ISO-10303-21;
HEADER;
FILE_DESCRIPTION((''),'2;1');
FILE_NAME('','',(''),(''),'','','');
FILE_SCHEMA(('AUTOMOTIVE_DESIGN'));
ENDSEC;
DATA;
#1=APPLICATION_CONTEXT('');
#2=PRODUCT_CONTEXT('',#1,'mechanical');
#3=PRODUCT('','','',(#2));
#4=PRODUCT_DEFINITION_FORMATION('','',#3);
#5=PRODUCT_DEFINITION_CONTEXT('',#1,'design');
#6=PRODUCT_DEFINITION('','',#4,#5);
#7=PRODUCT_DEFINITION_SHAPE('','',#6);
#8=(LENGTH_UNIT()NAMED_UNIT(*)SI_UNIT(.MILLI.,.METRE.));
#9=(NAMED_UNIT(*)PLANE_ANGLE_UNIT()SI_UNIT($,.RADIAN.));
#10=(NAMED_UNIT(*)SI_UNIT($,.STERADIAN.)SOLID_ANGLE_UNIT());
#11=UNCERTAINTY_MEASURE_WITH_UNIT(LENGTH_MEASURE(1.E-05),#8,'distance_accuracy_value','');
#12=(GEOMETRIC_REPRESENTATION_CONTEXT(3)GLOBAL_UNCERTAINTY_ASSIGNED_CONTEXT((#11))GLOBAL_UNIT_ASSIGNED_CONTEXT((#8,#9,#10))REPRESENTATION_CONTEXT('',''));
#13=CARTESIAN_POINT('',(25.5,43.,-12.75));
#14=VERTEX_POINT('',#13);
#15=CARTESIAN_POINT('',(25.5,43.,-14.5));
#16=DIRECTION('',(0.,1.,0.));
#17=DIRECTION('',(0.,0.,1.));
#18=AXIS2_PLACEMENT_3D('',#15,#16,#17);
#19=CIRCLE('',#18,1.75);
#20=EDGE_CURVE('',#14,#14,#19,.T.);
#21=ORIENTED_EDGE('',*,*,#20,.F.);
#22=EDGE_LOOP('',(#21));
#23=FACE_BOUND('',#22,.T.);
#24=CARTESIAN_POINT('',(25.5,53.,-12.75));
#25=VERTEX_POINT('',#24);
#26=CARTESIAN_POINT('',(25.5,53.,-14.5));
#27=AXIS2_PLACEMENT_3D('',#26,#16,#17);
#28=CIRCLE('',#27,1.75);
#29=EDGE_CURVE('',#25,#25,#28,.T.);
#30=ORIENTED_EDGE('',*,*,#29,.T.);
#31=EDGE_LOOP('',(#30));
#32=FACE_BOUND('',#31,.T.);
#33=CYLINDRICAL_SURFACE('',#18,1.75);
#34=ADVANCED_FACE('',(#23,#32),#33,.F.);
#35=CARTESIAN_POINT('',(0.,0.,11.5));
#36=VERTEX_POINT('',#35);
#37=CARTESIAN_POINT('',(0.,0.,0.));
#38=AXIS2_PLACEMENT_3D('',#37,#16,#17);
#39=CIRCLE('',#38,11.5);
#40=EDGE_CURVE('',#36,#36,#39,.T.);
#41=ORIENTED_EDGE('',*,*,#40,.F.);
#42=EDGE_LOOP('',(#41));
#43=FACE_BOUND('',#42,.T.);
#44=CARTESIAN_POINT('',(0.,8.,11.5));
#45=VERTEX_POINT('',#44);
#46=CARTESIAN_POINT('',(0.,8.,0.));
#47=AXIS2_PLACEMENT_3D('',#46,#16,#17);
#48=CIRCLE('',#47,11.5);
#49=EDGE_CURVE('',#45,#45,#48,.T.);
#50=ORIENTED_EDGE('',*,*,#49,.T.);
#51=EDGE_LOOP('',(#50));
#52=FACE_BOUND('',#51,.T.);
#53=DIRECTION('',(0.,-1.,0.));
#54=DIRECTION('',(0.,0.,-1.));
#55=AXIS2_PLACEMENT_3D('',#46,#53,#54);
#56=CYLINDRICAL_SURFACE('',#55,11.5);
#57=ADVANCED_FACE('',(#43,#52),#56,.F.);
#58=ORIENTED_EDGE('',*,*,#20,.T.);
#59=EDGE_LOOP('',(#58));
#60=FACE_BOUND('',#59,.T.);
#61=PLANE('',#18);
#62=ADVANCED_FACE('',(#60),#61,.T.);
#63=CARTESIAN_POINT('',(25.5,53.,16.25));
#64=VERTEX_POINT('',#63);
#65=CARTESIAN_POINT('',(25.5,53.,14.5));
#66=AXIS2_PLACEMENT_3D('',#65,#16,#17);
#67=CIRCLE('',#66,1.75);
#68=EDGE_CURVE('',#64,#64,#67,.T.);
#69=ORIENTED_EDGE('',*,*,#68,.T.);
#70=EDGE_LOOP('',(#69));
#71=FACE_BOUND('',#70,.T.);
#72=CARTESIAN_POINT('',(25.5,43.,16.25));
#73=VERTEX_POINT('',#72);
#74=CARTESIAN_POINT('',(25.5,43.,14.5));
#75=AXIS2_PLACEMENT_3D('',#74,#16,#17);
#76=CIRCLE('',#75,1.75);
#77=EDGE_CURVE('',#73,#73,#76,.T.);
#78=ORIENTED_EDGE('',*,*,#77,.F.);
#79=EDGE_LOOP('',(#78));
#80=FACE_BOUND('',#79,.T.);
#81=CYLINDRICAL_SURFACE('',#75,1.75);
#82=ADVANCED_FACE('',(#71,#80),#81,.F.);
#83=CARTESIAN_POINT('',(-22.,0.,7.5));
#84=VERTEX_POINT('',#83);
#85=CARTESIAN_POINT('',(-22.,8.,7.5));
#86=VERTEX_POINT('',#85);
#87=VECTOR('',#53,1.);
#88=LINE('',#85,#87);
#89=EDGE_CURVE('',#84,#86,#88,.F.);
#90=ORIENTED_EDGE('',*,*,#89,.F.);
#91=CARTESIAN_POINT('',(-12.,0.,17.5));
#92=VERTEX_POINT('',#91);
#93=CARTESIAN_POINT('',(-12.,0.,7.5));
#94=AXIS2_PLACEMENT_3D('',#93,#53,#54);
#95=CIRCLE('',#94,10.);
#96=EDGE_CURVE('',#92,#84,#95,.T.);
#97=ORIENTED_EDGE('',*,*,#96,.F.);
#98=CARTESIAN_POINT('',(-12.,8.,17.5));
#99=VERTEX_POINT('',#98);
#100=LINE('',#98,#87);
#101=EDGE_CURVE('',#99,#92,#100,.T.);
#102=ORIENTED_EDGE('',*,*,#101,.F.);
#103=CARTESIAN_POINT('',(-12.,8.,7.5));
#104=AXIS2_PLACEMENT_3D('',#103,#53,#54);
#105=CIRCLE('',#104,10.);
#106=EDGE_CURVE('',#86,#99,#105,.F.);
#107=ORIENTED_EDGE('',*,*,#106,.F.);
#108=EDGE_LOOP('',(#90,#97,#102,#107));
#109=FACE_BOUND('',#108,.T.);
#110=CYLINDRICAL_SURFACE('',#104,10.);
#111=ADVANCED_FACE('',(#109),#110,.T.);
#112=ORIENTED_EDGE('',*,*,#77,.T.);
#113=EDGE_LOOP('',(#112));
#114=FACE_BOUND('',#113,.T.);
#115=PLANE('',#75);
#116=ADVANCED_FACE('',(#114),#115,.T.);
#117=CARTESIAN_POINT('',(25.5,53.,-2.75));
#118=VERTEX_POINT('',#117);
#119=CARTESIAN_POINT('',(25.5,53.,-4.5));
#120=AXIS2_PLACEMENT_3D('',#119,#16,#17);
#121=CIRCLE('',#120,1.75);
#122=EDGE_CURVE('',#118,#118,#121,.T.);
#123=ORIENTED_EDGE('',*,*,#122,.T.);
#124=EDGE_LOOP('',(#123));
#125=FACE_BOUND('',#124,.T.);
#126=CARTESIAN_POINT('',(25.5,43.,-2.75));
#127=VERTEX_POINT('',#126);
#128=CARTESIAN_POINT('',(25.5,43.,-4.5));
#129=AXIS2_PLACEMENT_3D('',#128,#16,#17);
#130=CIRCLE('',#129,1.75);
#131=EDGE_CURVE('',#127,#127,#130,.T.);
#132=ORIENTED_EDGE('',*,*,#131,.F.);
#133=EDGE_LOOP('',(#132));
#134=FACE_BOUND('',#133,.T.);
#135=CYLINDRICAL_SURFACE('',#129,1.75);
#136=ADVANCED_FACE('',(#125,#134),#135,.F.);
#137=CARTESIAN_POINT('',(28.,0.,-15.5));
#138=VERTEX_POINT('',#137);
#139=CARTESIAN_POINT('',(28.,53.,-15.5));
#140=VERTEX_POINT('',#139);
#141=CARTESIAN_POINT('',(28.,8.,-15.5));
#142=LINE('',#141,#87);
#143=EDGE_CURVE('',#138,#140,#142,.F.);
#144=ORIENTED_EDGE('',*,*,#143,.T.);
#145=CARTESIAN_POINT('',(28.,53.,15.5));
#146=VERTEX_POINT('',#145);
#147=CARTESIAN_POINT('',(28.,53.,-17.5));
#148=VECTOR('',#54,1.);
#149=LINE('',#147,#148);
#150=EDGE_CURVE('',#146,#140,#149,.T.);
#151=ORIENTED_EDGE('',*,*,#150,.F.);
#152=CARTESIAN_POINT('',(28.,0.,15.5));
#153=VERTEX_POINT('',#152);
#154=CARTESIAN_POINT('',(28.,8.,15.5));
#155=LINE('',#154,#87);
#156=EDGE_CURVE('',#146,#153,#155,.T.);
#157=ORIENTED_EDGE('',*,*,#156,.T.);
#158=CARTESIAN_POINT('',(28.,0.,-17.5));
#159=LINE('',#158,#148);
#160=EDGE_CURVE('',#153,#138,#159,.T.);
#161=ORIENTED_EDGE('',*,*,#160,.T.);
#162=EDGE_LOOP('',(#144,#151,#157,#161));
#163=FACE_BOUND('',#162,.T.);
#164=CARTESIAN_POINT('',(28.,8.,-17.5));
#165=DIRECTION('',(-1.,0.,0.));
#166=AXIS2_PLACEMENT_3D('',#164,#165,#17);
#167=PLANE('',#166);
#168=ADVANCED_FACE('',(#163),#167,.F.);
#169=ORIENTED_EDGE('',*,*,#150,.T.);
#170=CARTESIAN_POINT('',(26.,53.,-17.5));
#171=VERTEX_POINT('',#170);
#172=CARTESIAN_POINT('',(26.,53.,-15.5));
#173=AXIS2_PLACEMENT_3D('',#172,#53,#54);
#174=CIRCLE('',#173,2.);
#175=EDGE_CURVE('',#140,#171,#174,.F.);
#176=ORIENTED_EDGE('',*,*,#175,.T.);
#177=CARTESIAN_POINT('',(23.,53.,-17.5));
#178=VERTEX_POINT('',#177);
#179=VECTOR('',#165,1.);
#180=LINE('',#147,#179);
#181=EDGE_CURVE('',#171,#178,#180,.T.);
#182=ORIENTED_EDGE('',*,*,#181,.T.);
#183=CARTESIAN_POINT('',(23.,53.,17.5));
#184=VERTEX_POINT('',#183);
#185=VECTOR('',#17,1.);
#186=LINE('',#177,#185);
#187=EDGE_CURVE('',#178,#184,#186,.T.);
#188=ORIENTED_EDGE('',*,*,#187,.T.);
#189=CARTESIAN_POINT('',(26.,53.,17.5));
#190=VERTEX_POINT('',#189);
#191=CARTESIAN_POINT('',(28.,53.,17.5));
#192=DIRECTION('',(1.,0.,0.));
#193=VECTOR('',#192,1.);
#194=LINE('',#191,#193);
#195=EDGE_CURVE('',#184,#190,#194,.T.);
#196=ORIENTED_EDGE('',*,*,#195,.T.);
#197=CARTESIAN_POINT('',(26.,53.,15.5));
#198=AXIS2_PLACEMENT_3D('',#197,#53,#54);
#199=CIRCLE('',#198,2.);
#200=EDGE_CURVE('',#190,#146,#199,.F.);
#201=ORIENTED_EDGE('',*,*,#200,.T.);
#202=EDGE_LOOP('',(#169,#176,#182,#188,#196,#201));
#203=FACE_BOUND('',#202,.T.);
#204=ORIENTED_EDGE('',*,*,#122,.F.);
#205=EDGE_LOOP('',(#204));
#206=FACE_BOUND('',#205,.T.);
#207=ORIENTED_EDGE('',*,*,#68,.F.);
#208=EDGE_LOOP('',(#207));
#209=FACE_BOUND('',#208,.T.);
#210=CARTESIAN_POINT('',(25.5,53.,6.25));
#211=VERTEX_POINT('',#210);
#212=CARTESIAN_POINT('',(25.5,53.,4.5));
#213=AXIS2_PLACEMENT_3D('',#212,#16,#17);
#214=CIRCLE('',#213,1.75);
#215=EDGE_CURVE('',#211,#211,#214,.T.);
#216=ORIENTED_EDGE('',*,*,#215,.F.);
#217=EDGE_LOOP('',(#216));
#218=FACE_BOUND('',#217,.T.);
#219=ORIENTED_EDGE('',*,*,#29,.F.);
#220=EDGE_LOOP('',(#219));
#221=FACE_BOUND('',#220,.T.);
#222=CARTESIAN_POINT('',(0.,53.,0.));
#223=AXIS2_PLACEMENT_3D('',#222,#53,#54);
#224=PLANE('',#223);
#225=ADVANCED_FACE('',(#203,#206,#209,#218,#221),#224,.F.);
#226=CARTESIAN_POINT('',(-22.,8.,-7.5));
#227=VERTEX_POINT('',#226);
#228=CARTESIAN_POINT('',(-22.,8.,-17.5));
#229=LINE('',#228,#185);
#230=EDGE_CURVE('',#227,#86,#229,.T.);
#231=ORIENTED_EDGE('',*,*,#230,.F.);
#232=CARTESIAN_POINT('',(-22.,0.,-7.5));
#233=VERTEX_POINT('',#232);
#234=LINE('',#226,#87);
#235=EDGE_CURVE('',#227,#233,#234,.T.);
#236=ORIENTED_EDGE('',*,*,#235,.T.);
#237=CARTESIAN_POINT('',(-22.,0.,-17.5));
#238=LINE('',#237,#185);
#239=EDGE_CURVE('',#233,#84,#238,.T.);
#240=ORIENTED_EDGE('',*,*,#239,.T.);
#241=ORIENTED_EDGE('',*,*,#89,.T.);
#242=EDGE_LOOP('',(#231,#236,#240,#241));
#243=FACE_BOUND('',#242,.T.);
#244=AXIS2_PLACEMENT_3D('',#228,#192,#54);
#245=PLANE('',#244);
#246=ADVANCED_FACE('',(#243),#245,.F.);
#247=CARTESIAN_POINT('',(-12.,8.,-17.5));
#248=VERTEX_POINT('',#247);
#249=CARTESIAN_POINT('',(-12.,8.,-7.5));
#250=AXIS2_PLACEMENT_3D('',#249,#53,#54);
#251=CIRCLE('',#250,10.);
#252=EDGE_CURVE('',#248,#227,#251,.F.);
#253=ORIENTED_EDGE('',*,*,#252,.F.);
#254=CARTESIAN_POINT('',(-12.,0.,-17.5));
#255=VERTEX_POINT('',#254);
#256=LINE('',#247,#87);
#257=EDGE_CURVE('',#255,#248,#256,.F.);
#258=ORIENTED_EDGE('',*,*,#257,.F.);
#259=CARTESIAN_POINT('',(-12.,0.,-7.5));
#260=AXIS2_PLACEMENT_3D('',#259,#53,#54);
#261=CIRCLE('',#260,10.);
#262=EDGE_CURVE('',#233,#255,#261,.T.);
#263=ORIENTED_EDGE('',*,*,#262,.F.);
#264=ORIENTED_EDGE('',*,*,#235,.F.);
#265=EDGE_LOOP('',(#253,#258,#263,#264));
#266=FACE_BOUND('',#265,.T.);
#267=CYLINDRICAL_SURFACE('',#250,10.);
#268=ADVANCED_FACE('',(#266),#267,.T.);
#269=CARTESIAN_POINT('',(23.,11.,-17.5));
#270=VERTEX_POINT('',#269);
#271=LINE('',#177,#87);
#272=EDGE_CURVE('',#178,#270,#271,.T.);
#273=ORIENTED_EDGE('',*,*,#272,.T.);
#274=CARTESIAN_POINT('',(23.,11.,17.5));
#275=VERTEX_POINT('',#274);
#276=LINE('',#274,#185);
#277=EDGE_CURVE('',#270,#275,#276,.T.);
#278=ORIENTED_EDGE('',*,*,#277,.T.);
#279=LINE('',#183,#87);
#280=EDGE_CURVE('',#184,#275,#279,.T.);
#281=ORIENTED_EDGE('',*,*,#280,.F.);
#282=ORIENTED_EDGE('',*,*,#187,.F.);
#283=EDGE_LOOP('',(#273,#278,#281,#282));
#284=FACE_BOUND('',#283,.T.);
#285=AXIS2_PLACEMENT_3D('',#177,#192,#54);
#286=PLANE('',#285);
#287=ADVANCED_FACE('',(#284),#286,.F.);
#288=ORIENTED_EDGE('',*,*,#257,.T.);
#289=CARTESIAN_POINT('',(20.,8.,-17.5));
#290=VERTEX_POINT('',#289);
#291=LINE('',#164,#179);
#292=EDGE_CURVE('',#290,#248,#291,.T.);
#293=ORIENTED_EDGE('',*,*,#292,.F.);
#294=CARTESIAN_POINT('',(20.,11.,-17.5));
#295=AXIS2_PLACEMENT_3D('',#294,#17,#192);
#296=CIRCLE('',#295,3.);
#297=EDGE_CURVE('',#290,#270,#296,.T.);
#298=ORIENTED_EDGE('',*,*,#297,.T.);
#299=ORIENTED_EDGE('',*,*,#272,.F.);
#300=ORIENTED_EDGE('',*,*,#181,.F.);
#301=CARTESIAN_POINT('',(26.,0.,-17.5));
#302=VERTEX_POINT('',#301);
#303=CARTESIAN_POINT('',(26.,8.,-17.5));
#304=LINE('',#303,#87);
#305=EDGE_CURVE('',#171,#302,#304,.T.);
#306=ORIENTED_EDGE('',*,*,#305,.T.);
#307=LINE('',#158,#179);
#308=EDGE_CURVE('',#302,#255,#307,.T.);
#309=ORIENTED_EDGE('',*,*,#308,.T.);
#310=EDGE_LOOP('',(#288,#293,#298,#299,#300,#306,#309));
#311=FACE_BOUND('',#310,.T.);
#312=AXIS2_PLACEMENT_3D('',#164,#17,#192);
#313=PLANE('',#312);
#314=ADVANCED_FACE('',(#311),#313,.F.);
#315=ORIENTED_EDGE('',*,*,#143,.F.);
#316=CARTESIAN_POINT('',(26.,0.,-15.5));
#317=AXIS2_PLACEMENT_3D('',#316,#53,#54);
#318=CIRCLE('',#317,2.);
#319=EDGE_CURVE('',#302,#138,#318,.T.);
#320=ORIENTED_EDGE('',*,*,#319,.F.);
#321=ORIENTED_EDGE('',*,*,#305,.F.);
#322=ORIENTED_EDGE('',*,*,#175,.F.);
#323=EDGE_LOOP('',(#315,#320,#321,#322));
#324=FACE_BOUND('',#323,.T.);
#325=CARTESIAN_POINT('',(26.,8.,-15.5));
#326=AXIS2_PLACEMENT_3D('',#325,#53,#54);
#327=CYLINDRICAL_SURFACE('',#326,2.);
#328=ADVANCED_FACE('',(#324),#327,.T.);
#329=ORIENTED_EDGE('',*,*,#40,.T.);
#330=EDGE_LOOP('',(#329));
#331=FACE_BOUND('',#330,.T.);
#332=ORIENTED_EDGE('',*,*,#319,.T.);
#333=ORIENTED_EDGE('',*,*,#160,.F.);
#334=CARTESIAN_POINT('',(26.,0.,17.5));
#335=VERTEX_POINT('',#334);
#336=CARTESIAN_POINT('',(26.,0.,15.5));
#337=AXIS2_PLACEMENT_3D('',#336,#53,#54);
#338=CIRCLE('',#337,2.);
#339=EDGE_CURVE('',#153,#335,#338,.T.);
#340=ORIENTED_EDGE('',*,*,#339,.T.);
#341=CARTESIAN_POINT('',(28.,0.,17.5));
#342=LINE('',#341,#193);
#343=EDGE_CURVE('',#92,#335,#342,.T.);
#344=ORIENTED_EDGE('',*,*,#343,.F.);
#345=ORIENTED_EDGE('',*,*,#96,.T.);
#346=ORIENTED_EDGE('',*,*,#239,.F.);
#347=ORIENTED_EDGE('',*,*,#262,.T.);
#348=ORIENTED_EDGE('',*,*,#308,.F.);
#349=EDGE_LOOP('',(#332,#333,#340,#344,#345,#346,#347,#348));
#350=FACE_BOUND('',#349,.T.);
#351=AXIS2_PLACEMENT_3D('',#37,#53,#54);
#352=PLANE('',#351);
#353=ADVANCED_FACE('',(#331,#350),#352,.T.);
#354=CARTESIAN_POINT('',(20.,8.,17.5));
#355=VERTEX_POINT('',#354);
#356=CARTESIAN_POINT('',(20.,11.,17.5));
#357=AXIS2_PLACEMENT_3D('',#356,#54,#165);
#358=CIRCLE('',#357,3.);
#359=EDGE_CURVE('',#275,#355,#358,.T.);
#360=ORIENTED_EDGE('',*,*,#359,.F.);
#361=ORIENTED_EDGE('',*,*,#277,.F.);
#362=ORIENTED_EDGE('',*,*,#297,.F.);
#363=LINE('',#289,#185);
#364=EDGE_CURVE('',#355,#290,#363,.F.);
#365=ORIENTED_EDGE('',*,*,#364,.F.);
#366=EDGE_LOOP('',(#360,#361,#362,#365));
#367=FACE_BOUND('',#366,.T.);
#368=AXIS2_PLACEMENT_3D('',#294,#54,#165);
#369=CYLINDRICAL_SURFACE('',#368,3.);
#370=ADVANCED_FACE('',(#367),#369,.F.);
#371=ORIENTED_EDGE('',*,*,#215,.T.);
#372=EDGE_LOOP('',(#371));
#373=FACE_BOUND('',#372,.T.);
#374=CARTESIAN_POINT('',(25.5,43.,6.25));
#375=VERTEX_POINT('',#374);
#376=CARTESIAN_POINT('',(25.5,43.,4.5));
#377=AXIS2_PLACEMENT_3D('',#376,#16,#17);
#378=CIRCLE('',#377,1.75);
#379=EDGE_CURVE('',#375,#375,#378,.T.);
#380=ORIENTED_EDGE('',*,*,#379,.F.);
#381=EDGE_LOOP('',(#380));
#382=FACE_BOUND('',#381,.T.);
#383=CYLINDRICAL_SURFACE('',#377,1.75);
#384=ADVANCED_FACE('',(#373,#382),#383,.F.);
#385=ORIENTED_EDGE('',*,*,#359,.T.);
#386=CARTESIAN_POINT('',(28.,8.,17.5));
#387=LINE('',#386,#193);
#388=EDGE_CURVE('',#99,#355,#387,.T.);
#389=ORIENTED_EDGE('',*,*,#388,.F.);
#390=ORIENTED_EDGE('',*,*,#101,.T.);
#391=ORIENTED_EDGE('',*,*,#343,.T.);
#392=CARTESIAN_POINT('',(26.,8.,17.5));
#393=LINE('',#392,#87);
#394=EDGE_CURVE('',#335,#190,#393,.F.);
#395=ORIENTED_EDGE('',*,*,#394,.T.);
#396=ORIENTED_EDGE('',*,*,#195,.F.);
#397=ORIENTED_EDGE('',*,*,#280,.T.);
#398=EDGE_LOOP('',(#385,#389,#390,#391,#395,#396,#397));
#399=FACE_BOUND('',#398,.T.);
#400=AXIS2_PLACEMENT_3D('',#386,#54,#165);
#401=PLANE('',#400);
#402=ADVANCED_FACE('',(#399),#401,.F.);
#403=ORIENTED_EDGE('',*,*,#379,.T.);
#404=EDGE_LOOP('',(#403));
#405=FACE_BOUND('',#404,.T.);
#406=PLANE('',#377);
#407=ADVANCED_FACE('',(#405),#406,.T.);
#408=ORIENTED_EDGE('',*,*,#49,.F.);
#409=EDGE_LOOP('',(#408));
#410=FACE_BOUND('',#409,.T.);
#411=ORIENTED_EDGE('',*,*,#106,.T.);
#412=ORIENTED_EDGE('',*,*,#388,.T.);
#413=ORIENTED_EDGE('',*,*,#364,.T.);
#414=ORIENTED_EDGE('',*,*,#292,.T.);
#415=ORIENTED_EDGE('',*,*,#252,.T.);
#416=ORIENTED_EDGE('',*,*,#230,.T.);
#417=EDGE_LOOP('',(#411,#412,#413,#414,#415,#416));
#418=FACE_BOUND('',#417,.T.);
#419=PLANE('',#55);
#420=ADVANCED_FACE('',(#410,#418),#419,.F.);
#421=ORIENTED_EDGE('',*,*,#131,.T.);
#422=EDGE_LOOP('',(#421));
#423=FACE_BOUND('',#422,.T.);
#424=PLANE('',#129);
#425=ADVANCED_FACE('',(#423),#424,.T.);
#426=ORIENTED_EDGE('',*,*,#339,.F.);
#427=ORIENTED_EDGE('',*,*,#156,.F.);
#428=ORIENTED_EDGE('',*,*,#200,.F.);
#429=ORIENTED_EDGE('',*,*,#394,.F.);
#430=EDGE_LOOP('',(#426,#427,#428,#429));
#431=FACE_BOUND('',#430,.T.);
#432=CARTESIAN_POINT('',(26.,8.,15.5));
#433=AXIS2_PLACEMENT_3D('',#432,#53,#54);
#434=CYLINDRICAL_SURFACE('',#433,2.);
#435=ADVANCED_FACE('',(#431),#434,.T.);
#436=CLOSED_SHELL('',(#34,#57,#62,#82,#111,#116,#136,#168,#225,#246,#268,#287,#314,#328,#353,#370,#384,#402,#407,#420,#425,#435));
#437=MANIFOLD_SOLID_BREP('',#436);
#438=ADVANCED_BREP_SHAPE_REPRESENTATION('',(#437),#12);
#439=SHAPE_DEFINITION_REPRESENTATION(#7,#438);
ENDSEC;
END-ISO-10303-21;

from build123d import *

# Parameters (mm, degrees)
SKETCH1_W           = 50
SKETCH1_H           = 35
SKETCH1_R           = 11.5
BOSS_EXTRUDE1_DEPTH = 8
SKETCH2_W           = 5
SKETCH2_H           = 35
BOSS_EXTRUDE2_DEPTH = 45
FILLET2_R           = 3
SKETCH5_R           = 1.75
CUT_EXTRUDE2_DEPTH  = 10
FILLET3_R           = 10
FILLET4_R           = 2


with BuildPart() as part:
    # Sketch1 → Boss-Extrude1 (new body)
    with BuildSketch(Plane(origin=(0, 0, 0), x_dir=(1, 0, 0), z_dir=(0, 1, 0))):
        with Locations((3, 0)):
            Rectangle(SKETCH1_W, SKETCH1_H)
        with Locations(Location((0, 0, 0), (0, 0, 270))):
            Circle(SKETCH1_R, mode=Mode.SUBTRACT)
    extrude(amount=BOSS_EXTRUDE1_DEPTH)

    # Sketch2 → Boss-Extrude2 (add)
    with BuildSketch(Plane(origin=(0, 8, 0), x_dir=(1, 0, 0), z_dir=(0, 1, 0))):
        with Locations((25.5, 0)):
            Rectangle(SKETCH2_W, SKETCH2_H)
    extrude(amount=BOSS_EXTRUDE2_DEPTH)

    # Fillet2
    fillet2_edges = [part.edges().sort_by_distance(p)[0] for p in [
        (23, 8, 0),
    ]]
    fillet(fillet2_edges, radius=FILLET2_R)

    # Sketch5 → Cut-Extrude2 (cut)
    with BuildSketch(Plane(origin=(0, 53, 0), x_dir=(1, 0, 0), z_dir=(0, 1, 0))):
        with Locations(Location((25.5, 14.5, 0), (0, 0, 270))):
            Circle(SKETCH5_R)
        with Locations(Location((25.5, -14.5, 0), (0, 0, 270))):
            Circle(SKETCH5_R)
        with Locations(Location((25.5, 4.5, 0), (0, 0, 270))):
            Circle(SKETCH5_R)
        with Locations(Location((25.5, -4.5, 0), (0, 0, 270))):
            Circle(SKETCH5_R)
    extrude(amount=-CUT_EXTRUDE2_DEPTH, mode=Mode.SUBTRACT)

    # Fillet3
    fillet3_edges = [part.edges().sort_by_distance(p)[0] for p in [
        (-22, 4, 17.5),
        (-22, 4, -17.5),
    ]]
    fillet(fillet3_edges, radius=FILLET3_R)

    # Fillet4
    fillet4_edges = [part.edges().sort_by_distance(p)[0] for p in [
        (28, 26.5, 17.5),
        (28, 26.5, -17.5),
    ]]
    fillet(fillet4_edges, radius=FILLET4_R)


solid = part.part
